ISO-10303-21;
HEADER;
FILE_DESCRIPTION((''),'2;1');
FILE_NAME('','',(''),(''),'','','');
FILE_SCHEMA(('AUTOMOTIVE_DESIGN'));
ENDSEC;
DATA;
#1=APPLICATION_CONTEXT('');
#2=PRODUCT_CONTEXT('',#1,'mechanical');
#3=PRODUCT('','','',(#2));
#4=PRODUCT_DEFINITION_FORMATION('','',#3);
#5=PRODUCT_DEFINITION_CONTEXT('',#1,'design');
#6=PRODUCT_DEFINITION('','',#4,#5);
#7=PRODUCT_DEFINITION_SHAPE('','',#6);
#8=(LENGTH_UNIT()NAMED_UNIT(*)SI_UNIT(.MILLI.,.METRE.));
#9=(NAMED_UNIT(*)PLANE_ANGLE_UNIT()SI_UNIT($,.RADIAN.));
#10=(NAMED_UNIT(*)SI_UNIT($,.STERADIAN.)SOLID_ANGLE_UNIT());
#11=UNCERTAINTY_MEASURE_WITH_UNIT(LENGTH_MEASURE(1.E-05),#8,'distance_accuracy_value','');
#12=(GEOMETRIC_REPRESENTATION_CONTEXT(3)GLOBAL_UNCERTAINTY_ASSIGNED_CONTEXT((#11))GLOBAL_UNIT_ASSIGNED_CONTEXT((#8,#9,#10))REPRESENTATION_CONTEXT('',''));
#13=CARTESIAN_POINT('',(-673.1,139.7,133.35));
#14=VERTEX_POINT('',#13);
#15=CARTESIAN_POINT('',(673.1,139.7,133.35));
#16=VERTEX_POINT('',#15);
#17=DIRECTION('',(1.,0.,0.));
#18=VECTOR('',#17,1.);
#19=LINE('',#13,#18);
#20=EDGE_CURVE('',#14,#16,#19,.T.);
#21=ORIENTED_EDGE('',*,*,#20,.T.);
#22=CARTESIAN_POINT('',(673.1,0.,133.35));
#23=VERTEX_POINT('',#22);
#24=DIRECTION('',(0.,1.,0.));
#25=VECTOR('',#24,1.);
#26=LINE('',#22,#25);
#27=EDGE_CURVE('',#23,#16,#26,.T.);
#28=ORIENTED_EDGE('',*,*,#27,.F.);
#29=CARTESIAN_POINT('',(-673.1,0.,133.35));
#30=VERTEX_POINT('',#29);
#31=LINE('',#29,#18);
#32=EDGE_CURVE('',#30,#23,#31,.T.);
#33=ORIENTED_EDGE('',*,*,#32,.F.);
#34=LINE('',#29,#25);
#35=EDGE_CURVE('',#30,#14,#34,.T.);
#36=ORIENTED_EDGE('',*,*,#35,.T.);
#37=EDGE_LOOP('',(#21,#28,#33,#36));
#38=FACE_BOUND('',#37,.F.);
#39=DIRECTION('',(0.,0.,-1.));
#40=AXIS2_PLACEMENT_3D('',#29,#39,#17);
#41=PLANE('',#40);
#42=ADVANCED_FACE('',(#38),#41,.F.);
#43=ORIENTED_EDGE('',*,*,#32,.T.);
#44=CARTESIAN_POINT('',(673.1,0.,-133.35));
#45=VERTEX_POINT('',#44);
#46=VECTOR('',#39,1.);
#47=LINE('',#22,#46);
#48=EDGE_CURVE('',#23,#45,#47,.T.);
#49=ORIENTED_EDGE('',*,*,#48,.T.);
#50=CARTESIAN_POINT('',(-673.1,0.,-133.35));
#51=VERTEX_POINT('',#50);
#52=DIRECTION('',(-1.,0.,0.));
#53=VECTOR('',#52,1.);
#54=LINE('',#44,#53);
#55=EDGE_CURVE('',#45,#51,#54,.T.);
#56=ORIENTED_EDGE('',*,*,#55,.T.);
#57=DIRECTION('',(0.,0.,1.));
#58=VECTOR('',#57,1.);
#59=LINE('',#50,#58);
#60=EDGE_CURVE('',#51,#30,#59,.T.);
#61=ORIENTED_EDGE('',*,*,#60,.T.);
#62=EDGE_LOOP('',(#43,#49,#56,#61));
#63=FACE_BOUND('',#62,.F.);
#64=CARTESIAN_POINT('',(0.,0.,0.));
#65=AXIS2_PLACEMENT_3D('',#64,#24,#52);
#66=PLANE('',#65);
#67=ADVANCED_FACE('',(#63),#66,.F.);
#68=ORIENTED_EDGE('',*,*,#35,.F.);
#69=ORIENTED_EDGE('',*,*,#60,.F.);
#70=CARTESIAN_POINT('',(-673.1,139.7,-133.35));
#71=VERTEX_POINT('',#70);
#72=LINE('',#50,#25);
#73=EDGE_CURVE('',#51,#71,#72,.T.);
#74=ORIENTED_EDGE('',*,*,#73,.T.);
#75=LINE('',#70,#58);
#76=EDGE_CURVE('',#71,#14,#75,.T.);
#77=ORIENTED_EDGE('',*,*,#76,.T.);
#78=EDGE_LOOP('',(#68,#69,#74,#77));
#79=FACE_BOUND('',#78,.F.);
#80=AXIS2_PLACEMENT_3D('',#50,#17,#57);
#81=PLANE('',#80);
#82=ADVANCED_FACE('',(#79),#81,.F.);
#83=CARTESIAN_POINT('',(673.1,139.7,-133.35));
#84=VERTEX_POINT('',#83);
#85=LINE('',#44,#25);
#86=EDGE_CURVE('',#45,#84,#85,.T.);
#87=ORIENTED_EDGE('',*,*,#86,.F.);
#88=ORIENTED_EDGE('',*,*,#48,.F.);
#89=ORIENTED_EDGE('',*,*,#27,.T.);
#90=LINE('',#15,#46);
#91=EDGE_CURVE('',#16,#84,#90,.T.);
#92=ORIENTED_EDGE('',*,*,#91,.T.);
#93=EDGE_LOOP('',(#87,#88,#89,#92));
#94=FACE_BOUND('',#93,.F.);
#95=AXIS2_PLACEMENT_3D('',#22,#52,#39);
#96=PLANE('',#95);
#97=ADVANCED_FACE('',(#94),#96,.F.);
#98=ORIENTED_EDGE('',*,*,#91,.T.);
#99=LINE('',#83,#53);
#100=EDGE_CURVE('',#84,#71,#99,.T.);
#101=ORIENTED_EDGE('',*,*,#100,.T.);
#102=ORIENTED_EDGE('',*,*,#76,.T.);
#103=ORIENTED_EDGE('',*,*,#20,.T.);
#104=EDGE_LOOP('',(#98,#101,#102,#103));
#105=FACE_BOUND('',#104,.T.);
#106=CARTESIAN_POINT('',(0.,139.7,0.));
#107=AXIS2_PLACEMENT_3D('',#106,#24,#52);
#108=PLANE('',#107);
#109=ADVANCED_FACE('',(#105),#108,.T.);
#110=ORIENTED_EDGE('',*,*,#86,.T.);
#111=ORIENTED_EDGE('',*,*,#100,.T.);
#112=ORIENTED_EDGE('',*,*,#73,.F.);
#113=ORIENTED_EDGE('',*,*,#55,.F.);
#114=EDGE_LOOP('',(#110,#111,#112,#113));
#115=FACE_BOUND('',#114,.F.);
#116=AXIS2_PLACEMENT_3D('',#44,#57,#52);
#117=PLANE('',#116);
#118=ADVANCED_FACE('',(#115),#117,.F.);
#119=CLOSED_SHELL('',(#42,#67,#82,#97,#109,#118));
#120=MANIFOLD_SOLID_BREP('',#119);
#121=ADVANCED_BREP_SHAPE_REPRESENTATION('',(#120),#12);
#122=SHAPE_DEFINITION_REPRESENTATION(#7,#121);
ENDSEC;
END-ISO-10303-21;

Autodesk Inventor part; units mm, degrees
ref_plane "YZ Plane" through (0, 0, 0) normal (1, 0, 0) x (0, 1, 0)
ref_plane "XZ Plane" through (0, 0, 0) normal (0, 1, 0) x (-1, 0, 0)
ref_plane "XY Plane" through (0, 0, 0) normal (0, 0, 1) x (1, 0, 0)
sketch "Sketch1" plane through (0, 0, 0) normal (0, 1, 0) x (-1, 0, 0)
  line L0 (-673.1, -133.35) -> (673.1, -133.35)
  line L1 (673.1, -133.35) -> (673.1, 133.35)
  line L2 (673.1, 133.35) -> (-673.1, 133.35)
  line L3 (-673.1, 133.35) -> (-673.1, -133.35)
  line L4 (-673.1, -133.35) -> (673.1, 133.35) construction
  line L5 (673.1, -133.35) -> (-673.1, 133.35) construction
  point P0 (0, 0)
  dimension "d0" = 1346.2
  dimension "d1" = 266.7
extrude "Extrusion1" add sketch "Sketch1" along normal blind 139.7
properties part number "piano-placeholder"
